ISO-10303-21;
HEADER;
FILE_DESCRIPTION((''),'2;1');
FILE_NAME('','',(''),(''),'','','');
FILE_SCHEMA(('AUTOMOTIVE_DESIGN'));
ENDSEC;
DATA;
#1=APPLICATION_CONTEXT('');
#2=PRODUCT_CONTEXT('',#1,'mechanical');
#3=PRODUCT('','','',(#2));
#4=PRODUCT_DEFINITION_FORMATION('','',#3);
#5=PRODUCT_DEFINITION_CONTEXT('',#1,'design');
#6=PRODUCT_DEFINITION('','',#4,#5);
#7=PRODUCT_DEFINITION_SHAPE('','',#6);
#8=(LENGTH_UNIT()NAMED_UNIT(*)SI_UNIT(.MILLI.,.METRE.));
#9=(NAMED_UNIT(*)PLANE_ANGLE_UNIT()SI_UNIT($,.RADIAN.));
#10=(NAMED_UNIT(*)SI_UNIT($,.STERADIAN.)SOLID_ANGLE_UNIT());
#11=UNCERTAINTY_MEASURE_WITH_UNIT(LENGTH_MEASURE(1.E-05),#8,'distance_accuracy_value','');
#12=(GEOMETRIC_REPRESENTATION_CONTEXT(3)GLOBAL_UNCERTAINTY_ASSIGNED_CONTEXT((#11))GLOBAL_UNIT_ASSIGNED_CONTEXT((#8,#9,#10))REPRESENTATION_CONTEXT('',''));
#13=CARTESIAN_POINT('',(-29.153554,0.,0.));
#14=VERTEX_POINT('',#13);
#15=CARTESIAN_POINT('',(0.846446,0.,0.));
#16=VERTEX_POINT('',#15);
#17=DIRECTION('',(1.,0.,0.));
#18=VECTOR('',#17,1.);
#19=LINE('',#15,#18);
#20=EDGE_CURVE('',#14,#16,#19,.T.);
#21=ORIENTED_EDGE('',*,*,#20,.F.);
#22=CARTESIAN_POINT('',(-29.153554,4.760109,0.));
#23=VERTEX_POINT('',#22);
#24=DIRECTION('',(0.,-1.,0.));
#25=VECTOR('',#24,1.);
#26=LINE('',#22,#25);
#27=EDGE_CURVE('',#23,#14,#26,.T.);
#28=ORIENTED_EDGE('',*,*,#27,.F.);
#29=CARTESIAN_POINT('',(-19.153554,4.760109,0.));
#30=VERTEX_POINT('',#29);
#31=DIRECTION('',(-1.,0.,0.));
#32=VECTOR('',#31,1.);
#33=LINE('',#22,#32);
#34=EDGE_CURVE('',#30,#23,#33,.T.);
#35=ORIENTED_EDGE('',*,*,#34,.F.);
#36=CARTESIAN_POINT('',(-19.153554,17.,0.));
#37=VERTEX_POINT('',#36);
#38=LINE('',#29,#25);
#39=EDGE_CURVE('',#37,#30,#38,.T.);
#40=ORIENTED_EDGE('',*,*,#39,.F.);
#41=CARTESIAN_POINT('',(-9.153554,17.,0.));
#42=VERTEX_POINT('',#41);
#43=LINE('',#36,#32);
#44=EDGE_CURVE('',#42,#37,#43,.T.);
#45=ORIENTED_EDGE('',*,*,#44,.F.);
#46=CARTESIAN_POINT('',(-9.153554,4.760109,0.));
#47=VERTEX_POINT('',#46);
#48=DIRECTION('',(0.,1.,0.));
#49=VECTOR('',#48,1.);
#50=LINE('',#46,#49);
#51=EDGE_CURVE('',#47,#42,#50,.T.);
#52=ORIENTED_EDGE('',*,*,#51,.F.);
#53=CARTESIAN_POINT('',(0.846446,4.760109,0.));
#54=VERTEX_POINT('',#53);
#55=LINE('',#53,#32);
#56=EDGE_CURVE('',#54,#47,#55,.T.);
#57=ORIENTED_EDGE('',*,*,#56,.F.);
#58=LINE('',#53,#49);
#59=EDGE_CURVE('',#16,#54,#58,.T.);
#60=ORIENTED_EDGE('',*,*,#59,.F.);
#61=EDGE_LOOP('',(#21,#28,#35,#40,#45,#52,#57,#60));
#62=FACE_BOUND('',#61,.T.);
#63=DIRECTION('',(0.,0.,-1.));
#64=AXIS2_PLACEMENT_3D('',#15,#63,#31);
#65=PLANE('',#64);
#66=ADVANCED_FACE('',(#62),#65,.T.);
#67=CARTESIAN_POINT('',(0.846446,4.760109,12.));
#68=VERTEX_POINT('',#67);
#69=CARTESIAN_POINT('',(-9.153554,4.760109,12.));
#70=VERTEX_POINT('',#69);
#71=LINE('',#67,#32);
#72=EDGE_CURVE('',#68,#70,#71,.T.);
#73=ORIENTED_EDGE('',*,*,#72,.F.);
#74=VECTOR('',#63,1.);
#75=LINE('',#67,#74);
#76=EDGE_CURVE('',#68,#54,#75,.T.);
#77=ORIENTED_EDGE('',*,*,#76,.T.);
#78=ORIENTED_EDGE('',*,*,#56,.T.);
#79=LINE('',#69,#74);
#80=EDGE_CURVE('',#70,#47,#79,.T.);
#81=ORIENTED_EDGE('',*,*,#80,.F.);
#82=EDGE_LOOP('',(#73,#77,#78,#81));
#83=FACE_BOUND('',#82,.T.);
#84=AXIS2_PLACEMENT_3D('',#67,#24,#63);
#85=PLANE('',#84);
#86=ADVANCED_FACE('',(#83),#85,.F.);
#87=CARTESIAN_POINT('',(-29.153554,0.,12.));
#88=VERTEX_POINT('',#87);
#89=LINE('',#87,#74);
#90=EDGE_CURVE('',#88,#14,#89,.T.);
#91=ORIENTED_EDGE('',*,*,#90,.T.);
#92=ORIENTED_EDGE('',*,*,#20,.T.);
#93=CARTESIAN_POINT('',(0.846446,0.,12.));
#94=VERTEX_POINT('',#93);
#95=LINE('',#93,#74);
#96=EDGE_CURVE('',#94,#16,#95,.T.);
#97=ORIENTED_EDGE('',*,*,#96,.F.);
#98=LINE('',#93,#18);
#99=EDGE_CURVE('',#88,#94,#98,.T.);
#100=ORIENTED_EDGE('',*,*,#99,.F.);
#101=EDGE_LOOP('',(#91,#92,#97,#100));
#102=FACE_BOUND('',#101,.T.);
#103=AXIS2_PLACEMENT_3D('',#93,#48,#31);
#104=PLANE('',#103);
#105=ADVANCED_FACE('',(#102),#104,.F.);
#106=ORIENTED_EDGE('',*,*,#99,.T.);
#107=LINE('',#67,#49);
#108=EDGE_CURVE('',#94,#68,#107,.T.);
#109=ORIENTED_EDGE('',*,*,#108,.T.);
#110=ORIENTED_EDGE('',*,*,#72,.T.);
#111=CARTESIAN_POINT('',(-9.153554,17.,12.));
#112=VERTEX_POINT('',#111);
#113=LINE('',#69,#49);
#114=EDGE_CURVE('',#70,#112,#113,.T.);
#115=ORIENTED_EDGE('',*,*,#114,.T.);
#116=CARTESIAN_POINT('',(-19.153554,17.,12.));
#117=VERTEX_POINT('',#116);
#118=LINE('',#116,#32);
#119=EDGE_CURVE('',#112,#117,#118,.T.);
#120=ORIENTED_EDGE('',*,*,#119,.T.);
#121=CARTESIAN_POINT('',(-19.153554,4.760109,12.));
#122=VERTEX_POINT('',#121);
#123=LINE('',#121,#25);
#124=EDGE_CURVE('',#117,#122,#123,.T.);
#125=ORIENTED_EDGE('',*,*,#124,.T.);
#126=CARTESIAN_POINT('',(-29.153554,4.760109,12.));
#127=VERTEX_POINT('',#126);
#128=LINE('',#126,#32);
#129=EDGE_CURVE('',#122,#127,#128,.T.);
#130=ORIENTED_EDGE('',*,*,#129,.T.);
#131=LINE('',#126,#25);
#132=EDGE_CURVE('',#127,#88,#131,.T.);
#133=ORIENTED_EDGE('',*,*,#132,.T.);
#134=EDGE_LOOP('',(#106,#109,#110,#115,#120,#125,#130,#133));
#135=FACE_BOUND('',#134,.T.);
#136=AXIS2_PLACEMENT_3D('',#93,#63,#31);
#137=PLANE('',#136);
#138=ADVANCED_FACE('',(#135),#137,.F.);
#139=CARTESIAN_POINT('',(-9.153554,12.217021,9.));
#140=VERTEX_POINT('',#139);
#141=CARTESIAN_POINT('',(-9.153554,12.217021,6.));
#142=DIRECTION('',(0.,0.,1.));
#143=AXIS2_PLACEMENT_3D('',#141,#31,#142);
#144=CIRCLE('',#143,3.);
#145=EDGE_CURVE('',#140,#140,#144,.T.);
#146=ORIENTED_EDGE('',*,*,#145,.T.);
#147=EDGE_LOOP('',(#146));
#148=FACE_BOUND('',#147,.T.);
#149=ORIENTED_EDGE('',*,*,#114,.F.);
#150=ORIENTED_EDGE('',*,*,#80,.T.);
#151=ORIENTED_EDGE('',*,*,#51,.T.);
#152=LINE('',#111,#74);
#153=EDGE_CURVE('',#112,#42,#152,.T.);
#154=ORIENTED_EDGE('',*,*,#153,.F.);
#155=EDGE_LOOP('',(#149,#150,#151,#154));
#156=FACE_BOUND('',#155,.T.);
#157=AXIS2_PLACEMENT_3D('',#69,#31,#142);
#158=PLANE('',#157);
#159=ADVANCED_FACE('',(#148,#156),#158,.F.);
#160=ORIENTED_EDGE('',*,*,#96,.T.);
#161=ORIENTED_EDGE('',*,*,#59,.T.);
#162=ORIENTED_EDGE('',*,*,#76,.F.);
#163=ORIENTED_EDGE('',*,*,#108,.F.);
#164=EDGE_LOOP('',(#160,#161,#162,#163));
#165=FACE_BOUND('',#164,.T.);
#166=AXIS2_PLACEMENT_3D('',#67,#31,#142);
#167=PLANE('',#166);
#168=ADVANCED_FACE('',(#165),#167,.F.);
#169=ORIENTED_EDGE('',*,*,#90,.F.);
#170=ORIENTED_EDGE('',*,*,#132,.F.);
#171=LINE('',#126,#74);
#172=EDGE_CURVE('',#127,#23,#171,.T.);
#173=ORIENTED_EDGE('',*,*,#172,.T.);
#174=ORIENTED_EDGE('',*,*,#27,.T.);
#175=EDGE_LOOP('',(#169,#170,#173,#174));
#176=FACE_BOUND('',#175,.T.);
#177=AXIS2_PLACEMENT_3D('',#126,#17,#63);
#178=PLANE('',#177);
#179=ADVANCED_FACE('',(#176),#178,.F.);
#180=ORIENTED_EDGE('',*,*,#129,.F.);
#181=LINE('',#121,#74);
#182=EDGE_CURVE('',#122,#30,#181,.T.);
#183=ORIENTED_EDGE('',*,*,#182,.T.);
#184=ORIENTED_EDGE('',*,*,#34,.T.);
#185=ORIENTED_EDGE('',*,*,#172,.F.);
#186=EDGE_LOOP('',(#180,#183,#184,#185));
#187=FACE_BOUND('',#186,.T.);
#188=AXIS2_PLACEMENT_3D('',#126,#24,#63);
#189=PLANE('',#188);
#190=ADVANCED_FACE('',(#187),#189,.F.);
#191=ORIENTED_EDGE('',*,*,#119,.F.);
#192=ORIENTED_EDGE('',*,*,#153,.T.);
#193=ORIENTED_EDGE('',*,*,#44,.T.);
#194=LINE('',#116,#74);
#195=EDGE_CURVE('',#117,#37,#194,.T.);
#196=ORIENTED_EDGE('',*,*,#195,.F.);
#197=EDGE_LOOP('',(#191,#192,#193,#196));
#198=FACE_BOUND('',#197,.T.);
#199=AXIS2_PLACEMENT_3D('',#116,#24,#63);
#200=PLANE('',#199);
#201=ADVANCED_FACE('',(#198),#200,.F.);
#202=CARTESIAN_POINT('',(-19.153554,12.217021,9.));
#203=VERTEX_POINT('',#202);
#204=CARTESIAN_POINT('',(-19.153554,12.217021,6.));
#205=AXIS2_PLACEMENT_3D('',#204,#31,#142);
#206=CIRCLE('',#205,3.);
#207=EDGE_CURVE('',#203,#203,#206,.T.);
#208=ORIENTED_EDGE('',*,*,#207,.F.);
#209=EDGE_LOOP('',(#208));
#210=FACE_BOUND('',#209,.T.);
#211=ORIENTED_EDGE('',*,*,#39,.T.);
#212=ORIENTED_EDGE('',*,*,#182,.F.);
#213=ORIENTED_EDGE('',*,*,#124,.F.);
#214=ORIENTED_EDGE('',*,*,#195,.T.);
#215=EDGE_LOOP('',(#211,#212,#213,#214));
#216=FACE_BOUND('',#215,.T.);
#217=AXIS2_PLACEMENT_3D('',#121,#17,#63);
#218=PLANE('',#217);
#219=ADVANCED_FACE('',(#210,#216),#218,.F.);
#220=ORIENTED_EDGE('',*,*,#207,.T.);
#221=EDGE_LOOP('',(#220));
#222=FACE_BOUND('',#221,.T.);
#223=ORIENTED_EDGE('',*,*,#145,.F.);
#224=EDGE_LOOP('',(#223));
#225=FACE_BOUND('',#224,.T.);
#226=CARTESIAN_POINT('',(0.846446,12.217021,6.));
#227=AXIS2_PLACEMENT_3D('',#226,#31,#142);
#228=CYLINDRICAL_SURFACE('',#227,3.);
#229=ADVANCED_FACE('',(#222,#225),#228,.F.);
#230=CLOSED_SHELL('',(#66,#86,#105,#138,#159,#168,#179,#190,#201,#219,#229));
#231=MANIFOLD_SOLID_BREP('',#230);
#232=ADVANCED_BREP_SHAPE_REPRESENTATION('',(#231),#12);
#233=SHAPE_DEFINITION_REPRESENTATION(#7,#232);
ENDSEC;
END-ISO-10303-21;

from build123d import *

# Parameters (mm, degrees)
EXTRUDE_2_DEPTH     = 12
SKETCH_4_R          = 3
CUT_EXTRUDE_4_DEPTH = 29.861739379


with BuildPart() as part:
    # Эскиз2 → Вытянуть2 (new body)
    with BuildSketch(Plane.XY):
        Polygon((0.846446281, 0), (-29.153553719, 0), (-29.153553719, 4.760108812), (-19.153553719, 4.760108812), (-19.153553719, 17), (-9.153553719, 17), (-9.153553719, 4.760108812), (0.846446281, 4.760108812), align=None)
    extrude(amount=EXTRUDE_2_DEPTH)

    # Эскиз4 → Вытянуть4 (cut, through all)
    with BuildSketch(Plane.ZY.offset(19.153553719)):
        with Locations((6, 12.217021039)):
            Circle(SKETCH_4_R)
    extrude(amount=-CUT_EXTRUDE_4_DEPTH, mode=Mode.SUBTRACT)


solid = part.part
